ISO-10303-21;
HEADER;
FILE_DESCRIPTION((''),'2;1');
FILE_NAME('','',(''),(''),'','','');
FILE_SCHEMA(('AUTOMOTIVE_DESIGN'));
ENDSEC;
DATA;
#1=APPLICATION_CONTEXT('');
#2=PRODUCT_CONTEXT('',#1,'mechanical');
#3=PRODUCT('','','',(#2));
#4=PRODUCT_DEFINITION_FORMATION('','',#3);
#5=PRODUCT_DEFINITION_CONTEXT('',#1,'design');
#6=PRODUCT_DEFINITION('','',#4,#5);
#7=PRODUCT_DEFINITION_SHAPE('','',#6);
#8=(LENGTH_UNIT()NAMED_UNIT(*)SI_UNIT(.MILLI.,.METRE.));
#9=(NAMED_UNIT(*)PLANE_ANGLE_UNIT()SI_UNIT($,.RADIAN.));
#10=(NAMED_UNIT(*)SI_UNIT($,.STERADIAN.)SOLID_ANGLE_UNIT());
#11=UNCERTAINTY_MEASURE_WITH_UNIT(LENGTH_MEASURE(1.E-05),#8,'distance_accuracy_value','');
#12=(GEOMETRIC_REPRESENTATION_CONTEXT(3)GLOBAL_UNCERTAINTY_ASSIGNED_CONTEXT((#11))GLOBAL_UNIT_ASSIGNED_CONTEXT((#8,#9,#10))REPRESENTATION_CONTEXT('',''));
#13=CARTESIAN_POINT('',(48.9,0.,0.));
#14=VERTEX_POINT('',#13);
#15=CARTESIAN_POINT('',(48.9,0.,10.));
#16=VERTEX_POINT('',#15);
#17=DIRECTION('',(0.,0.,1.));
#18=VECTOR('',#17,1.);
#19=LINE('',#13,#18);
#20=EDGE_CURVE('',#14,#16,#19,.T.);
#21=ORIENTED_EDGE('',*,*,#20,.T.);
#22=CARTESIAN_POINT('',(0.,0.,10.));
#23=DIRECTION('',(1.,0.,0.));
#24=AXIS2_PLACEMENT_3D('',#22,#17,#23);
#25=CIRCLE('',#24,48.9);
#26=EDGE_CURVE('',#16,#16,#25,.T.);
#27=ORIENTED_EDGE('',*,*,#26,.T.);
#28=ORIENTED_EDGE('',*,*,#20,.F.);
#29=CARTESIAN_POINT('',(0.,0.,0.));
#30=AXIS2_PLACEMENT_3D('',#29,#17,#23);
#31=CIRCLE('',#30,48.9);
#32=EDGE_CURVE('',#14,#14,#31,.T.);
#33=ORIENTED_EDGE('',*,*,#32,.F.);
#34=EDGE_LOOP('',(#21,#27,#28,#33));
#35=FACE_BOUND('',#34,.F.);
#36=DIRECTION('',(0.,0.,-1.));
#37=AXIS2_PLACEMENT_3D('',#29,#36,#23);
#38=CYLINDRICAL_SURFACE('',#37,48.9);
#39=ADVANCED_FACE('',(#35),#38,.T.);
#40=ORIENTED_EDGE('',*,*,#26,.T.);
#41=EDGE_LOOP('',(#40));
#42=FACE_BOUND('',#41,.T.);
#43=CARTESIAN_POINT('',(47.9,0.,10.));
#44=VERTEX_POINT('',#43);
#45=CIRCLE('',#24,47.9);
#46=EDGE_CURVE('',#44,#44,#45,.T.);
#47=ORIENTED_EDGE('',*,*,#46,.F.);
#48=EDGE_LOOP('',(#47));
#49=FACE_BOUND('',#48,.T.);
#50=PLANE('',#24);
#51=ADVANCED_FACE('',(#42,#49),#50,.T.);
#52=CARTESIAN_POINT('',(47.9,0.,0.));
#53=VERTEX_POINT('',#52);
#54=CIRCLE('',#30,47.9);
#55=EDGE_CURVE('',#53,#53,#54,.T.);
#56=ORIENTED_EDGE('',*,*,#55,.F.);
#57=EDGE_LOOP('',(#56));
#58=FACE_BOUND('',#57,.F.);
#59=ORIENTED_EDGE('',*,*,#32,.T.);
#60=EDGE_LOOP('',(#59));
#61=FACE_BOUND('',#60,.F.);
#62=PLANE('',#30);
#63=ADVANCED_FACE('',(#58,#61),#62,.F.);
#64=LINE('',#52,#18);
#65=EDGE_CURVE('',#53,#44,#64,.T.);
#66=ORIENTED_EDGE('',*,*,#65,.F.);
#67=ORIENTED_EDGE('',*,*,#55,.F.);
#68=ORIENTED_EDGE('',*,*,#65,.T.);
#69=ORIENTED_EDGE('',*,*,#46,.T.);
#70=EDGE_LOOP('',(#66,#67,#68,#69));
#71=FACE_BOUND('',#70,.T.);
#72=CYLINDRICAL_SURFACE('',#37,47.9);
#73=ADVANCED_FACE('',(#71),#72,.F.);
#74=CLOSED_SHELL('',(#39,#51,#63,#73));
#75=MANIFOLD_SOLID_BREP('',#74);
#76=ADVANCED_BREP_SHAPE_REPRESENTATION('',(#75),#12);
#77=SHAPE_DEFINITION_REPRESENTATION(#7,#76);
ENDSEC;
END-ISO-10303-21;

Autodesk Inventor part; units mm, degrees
ref_plane "YZ Plane" through (0, 0, 0) normal (1, 0, 0) x (0, 1, 0)
ref_plane "XZ Plane" through (0, 0, 0) normal (0, 1, 0) x (-1, 0, 0)
ref_plane "XY Plane" through (0, 0, 0) normal (0, 0, 1) x (1, 0, 0)
sketch "Sketch1" plane through (0, 0, 0) normal (0, 0, 1) x (1, 0, 0)
  circle A0 centre (0, 0) radius 48.9
  circle A1 centre (0, 0) radius 47.9
  dimension "d0" = 97.8
  dimension "d1" = 1
extrude "Extrusion1" add sketch "Sketch1" along normal blind 10
properties part number "Connection_thing"
